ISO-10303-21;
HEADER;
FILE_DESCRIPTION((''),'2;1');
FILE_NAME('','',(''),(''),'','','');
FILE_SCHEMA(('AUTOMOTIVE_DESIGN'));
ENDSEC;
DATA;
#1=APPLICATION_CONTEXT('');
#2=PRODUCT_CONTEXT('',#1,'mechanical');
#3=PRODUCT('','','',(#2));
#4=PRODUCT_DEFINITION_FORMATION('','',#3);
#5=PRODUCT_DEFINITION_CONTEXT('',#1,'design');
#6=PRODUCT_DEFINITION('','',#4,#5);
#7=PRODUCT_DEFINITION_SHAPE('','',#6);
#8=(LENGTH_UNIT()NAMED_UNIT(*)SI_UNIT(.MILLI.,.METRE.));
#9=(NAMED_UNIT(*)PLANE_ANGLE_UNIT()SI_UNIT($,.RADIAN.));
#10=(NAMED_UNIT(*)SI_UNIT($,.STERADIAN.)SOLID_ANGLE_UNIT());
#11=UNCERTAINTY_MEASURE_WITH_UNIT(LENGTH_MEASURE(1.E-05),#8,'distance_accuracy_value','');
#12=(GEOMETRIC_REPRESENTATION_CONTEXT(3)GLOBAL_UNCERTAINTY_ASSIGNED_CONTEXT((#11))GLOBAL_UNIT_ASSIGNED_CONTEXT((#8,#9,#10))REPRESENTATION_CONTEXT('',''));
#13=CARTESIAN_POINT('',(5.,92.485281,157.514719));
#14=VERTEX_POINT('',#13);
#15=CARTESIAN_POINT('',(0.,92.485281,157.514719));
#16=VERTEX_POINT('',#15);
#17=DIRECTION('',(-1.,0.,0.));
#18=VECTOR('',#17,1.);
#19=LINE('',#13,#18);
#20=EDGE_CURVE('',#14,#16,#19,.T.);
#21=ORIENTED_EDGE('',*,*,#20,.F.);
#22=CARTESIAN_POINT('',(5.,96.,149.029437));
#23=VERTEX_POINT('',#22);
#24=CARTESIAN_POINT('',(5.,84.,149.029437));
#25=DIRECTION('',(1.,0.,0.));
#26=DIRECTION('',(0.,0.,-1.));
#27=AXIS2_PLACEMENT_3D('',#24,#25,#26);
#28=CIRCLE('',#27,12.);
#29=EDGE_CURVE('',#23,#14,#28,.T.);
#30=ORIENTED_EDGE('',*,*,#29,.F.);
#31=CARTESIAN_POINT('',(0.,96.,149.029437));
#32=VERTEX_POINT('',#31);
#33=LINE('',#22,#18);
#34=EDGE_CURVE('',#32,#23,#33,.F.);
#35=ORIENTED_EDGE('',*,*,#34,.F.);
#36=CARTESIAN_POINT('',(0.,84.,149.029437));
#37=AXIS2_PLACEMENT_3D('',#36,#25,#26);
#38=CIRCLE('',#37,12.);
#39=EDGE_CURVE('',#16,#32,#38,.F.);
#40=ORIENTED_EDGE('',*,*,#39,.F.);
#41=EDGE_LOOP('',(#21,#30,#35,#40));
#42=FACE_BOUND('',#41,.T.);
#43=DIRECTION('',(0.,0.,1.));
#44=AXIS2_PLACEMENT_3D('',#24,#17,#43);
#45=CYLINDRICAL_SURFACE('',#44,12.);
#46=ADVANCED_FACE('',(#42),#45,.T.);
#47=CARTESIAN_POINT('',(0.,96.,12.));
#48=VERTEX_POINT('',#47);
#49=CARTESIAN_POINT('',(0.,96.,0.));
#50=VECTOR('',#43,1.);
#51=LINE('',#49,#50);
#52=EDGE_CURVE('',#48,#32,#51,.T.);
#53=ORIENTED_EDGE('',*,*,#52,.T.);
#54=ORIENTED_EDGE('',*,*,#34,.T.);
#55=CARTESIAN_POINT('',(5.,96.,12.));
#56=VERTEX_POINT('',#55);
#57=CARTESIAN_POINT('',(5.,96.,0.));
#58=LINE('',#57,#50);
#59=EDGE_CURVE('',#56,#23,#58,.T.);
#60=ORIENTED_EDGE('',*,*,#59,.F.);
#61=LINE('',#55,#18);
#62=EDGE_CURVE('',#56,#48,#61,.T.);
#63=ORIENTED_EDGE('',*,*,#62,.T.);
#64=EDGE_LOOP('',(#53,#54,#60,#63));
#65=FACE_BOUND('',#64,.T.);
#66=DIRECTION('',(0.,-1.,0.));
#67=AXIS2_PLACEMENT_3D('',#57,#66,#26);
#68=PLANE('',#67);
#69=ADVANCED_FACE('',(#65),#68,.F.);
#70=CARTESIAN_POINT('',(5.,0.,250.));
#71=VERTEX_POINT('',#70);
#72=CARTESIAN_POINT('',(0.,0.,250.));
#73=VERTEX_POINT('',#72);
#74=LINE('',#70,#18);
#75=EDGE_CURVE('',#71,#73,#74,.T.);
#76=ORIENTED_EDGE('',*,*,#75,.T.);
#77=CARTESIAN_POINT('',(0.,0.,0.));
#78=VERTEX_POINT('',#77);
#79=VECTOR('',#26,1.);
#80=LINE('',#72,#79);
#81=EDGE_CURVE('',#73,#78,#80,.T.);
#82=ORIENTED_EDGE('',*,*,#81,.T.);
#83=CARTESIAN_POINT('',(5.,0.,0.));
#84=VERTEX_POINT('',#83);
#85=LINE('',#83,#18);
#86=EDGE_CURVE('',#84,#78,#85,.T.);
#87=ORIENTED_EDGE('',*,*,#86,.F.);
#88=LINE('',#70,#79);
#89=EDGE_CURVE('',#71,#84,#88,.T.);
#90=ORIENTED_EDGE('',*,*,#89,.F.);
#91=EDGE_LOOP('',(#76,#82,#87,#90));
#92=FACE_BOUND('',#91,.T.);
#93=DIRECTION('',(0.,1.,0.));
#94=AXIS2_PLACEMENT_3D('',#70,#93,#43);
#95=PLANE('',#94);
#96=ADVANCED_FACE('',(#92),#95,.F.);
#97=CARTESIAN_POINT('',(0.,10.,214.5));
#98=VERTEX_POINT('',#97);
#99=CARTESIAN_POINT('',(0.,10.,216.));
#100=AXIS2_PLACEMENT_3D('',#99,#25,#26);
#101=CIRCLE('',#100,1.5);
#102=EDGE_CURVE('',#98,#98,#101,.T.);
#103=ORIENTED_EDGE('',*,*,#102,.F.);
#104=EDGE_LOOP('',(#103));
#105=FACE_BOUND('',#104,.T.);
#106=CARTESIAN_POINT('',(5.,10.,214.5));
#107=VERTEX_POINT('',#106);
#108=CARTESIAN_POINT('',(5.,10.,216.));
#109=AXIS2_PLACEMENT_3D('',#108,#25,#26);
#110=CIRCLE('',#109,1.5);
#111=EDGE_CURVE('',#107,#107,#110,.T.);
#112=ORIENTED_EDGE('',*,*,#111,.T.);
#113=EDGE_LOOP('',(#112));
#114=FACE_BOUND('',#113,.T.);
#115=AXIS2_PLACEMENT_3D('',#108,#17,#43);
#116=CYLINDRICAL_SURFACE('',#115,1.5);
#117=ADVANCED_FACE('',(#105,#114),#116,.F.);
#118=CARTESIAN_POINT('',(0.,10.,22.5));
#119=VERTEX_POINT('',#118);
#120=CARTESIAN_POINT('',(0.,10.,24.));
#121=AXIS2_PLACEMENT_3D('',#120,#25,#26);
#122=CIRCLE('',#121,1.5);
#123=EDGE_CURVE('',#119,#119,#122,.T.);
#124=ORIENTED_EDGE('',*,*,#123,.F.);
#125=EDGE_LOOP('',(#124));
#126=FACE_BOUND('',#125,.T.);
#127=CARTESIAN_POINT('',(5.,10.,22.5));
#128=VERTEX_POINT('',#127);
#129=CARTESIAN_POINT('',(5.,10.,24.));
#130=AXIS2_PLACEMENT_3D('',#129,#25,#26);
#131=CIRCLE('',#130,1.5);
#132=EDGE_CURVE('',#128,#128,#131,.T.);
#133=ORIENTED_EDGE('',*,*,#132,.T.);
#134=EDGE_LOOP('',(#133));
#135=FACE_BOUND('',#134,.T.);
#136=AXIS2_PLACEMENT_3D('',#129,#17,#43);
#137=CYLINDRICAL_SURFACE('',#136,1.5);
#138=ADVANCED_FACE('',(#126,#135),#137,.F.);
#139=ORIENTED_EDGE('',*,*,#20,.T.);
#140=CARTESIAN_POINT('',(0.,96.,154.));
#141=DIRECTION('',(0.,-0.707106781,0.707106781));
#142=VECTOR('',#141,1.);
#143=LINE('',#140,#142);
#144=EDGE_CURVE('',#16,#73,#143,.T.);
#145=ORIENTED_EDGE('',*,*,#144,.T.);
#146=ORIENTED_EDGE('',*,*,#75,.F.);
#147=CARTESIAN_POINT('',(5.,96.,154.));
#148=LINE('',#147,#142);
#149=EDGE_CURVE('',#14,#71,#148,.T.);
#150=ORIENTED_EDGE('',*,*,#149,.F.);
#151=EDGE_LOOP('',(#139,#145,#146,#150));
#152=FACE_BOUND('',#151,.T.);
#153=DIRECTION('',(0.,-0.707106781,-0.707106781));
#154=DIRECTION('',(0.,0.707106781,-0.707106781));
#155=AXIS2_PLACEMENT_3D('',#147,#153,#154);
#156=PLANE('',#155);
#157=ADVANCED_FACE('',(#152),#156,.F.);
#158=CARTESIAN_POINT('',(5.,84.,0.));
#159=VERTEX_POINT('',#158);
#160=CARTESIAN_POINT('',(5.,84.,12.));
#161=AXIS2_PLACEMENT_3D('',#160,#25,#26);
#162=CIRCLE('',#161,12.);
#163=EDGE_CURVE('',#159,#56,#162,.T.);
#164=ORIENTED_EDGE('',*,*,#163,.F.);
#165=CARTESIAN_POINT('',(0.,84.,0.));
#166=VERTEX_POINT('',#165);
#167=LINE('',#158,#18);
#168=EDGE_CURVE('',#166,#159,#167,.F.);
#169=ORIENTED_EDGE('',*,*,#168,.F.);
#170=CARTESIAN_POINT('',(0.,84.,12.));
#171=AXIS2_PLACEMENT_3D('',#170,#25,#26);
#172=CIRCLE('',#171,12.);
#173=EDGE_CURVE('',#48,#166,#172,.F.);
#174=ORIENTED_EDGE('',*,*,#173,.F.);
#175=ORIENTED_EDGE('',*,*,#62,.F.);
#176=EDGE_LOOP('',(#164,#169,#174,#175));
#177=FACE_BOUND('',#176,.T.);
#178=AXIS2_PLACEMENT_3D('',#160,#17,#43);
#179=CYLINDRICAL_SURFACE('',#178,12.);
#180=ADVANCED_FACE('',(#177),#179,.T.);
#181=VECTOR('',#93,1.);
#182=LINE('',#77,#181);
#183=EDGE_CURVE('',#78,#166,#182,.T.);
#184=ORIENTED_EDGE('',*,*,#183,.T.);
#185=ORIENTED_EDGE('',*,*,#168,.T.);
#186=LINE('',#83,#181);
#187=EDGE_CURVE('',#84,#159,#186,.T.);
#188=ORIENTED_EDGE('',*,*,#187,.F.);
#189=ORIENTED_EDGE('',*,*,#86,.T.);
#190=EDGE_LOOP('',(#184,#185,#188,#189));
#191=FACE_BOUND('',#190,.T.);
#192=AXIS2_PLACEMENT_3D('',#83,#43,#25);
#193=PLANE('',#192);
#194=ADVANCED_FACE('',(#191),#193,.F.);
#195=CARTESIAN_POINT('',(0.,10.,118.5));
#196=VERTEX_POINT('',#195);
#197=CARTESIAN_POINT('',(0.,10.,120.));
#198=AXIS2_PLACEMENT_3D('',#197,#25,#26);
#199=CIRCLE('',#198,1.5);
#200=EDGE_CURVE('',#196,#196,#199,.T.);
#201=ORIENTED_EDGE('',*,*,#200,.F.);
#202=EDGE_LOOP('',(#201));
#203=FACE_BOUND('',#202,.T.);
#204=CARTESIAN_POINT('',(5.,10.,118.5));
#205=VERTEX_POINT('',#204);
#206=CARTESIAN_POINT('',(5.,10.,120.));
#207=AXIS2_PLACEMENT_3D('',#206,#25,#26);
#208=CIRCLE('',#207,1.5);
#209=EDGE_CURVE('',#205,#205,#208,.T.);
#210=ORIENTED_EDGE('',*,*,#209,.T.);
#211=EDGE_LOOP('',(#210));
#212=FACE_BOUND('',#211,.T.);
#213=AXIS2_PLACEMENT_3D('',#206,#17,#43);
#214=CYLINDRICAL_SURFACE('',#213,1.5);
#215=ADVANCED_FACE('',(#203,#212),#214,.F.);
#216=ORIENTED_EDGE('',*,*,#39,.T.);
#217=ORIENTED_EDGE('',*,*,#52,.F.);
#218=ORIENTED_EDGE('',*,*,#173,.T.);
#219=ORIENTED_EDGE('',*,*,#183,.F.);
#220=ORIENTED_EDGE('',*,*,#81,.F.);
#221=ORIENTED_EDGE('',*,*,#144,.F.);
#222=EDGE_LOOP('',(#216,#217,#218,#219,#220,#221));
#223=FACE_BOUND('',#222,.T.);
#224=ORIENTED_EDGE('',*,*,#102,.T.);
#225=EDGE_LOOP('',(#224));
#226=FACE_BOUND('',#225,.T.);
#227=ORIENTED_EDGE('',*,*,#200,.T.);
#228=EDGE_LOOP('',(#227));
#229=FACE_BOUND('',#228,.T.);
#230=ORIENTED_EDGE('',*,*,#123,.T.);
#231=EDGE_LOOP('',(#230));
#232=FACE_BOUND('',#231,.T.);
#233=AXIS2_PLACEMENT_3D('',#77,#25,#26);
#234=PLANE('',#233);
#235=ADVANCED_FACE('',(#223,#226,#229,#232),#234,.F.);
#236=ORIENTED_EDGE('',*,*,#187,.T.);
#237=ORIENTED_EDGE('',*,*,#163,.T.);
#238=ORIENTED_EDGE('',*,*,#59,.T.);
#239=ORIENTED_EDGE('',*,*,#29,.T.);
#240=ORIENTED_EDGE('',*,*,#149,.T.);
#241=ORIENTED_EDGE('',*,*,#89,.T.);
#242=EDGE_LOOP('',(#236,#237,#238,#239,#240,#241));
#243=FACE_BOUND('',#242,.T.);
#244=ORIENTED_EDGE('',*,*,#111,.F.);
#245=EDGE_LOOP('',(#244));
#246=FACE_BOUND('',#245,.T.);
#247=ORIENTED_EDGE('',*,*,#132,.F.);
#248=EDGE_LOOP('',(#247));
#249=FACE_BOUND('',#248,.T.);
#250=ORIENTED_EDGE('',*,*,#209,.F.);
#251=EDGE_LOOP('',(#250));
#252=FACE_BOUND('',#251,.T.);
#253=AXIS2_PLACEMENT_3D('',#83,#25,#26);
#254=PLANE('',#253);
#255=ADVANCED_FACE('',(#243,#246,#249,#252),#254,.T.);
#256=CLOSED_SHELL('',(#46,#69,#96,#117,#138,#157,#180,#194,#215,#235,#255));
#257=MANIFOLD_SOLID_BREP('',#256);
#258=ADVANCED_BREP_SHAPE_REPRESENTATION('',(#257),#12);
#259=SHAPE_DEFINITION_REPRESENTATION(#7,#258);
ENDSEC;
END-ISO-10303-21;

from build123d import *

# Parameters (mm, degrees)
SKETCH1_R           = 1.5
BOSS_EXTRUDE1_DEPTH = 5
FILLET1_R           = 12


with BuildPart() as part:
    # Sketch1 → Boss-Extrude1 (new body)
    with BuildSketch(Plane(origin=(0, 0, 0), x_dir=(0, 0, -1), z_dir=(1, 0, 0))):
        Polygon((0, 0), (0, 96), (-154, 96), (-250, 0), align=None)
        with Locations((-120, 10)):
            Circle(SKETCH1_R, mode=Mode.SUBTRACT)
        with Locations((-24, 10)):
            Circle(SKETCH1_R, mode=Mode.SUBTRACT)
        with Locations((-216, 10)):
            Circle(SKETCH1_R, mode=Mode.SUBTRACT)
    extrude(amount=BOSS_EXTRUDE1_DEPTH)

    # Fillet1
    fillet1_edges = [part.edges().sort_by_distance(p)[0] for p in [
        (2.5, 96, 154),
        (2.5, 96, 0),
    ]]
    fillet(fillet1_edges, radius=FILLET1_R)


solid = part.part
